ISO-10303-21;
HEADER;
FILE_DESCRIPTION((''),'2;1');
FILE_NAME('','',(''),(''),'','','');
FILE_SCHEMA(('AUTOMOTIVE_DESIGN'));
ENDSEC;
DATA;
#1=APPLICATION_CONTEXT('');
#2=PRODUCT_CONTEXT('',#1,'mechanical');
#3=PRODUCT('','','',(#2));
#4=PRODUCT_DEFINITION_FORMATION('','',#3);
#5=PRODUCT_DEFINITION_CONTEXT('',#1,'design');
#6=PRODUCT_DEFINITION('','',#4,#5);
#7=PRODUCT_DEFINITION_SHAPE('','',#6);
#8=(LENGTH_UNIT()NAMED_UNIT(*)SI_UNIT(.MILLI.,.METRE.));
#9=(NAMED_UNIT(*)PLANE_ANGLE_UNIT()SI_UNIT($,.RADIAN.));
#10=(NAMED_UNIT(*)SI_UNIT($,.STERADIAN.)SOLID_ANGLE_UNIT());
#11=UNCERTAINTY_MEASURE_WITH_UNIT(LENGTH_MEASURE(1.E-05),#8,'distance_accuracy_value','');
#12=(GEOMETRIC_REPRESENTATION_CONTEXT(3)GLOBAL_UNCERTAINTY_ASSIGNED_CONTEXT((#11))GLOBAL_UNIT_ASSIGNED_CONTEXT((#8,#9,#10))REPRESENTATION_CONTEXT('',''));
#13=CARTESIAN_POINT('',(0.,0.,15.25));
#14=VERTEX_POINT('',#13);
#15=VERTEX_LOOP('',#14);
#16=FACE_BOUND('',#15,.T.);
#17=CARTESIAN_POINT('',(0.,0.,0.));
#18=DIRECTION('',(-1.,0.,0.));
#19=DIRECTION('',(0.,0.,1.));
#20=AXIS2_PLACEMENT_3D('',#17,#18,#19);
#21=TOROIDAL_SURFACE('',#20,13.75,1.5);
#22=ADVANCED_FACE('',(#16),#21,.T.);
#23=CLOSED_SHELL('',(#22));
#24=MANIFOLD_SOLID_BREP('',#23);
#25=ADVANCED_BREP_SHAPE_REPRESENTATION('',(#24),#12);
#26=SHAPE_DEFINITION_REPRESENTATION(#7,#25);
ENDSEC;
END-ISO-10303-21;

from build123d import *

# Parameters (mm, degrees)
SKETCH1_R = 1.5


with BuildPart() as part:
    # Sketch1 → Revolve1 (revolve)
    with BuildSketch(Plane.XY, mode=Mode.PRIVATE) as revolve1_sk:
        with Locations((0, 13.75)):
            Circle(SKETCH1_R)
    revolve(revolve1_sk.sketch.rotate(Axis((-1.5, 0, 0), (1, 0, 0)), 90), axis=Axis((-1.5, 0, 0), (1, 0, 0)))


solid = part.part
